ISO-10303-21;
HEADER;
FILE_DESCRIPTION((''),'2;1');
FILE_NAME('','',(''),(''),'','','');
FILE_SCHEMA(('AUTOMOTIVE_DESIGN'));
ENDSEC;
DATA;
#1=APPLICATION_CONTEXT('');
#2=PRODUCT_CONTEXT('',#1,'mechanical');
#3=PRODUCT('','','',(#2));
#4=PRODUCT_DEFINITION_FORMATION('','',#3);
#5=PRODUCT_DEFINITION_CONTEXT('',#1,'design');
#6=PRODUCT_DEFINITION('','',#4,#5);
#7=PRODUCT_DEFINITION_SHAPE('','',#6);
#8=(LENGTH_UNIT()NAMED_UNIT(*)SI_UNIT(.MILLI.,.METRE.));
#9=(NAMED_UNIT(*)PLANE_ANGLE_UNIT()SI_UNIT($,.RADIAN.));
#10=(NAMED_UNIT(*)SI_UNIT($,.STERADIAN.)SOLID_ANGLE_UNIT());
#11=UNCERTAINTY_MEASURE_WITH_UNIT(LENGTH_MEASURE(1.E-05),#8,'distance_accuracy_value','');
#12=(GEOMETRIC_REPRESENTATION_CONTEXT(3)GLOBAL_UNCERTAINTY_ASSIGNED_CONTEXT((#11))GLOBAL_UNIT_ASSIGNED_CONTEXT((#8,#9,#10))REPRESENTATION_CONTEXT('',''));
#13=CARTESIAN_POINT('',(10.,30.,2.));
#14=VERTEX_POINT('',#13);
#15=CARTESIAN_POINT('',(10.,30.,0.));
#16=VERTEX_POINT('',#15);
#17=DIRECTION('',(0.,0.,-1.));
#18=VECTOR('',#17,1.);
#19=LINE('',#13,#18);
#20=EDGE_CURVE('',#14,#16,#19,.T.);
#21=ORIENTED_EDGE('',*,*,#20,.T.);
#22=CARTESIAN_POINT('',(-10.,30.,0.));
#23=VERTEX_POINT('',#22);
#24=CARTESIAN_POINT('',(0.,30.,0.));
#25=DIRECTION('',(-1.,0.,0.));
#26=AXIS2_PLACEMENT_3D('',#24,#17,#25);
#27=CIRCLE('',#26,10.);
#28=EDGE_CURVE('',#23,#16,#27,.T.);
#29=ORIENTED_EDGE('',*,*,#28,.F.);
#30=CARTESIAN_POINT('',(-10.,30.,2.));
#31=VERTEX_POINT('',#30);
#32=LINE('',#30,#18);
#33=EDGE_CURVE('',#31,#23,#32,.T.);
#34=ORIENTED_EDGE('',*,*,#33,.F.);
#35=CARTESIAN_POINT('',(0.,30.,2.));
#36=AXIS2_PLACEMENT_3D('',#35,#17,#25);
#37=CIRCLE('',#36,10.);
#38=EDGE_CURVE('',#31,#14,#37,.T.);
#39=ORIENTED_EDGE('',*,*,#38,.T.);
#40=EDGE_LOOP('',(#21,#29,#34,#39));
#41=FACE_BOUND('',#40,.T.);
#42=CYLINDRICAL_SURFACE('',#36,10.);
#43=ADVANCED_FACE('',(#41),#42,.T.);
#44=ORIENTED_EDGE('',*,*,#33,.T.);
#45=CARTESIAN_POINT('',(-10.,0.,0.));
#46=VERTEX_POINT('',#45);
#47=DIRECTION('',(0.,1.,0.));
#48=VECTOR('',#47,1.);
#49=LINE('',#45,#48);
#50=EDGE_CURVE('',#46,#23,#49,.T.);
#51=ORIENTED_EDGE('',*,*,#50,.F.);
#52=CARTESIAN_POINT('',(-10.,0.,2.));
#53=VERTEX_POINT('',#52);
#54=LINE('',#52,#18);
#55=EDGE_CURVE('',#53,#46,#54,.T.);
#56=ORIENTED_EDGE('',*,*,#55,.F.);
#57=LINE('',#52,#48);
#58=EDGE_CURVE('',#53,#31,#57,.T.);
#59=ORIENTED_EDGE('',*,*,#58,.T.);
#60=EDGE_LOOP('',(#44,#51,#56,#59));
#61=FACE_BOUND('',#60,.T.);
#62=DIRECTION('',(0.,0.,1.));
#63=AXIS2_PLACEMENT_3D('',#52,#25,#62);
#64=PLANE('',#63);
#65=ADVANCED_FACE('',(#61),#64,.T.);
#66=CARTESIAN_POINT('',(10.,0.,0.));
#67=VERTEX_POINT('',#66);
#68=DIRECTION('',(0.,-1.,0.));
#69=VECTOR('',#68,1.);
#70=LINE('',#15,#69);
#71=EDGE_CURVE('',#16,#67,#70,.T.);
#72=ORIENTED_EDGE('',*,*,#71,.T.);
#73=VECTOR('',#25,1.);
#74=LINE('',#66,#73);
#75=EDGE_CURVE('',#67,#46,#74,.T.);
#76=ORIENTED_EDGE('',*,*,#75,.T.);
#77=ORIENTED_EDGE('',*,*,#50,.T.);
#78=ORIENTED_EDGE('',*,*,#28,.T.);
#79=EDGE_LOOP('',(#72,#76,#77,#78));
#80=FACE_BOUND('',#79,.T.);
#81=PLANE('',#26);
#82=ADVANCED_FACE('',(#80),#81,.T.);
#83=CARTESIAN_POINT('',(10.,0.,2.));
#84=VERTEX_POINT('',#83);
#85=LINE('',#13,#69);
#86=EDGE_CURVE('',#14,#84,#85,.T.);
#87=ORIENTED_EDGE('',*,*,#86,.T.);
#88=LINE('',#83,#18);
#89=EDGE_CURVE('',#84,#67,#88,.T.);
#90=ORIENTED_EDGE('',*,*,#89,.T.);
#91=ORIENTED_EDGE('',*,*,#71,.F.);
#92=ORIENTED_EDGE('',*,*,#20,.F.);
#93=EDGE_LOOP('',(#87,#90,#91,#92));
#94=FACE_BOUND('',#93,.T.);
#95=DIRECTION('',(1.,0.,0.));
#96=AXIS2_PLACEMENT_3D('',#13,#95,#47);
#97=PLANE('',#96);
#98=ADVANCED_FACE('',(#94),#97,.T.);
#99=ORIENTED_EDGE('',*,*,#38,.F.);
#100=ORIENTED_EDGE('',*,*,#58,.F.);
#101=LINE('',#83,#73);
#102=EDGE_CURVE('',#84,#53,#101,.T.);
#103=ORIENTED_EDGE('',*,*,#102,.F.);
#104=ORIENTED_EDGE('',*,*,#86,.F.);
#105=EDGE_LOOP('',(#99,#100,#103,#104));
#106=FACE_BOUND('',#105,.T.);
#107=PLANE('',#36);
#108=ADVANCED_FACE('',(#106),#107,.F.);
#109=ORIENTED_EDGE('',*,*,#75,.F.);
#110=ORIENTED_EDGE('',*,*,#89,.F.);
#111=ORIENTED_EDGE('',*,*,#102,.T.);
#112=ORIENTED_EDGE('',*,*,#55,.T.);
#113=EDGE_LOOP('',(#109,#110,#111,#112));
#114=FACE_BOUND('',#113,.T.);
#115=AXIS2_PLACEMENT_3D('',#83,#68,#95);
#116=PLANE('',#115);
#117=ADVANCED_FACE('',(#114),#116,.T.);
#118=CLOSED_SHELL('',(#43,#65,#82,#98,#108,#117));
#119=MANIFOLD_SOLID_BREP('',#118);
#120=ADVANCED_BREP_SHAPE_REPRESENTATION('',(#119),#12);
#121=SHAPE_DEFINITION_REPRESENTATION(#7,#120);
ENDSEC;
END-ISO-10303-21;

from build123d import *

# Parameters (mm, degrees)
BOSS_EXTRU_1_DEPTH = 2


with BuildPart() as part:
    # Esquisse1 → Boss.-Extru.1 (new body)
    with BuildSketch(Plane.XY):
        with BuildLine():
            Line((-10, 0), (-10, 30))
            ThreePointArc((-10, 30), (0, 40), (10, 30))
            Line((10, 30), (10, 0))
            Line((10, 0), (-10, 0))
        make_face()
    extrude(amount=BOSS_EXTRU_1_DEPTH)


solid = part.part
